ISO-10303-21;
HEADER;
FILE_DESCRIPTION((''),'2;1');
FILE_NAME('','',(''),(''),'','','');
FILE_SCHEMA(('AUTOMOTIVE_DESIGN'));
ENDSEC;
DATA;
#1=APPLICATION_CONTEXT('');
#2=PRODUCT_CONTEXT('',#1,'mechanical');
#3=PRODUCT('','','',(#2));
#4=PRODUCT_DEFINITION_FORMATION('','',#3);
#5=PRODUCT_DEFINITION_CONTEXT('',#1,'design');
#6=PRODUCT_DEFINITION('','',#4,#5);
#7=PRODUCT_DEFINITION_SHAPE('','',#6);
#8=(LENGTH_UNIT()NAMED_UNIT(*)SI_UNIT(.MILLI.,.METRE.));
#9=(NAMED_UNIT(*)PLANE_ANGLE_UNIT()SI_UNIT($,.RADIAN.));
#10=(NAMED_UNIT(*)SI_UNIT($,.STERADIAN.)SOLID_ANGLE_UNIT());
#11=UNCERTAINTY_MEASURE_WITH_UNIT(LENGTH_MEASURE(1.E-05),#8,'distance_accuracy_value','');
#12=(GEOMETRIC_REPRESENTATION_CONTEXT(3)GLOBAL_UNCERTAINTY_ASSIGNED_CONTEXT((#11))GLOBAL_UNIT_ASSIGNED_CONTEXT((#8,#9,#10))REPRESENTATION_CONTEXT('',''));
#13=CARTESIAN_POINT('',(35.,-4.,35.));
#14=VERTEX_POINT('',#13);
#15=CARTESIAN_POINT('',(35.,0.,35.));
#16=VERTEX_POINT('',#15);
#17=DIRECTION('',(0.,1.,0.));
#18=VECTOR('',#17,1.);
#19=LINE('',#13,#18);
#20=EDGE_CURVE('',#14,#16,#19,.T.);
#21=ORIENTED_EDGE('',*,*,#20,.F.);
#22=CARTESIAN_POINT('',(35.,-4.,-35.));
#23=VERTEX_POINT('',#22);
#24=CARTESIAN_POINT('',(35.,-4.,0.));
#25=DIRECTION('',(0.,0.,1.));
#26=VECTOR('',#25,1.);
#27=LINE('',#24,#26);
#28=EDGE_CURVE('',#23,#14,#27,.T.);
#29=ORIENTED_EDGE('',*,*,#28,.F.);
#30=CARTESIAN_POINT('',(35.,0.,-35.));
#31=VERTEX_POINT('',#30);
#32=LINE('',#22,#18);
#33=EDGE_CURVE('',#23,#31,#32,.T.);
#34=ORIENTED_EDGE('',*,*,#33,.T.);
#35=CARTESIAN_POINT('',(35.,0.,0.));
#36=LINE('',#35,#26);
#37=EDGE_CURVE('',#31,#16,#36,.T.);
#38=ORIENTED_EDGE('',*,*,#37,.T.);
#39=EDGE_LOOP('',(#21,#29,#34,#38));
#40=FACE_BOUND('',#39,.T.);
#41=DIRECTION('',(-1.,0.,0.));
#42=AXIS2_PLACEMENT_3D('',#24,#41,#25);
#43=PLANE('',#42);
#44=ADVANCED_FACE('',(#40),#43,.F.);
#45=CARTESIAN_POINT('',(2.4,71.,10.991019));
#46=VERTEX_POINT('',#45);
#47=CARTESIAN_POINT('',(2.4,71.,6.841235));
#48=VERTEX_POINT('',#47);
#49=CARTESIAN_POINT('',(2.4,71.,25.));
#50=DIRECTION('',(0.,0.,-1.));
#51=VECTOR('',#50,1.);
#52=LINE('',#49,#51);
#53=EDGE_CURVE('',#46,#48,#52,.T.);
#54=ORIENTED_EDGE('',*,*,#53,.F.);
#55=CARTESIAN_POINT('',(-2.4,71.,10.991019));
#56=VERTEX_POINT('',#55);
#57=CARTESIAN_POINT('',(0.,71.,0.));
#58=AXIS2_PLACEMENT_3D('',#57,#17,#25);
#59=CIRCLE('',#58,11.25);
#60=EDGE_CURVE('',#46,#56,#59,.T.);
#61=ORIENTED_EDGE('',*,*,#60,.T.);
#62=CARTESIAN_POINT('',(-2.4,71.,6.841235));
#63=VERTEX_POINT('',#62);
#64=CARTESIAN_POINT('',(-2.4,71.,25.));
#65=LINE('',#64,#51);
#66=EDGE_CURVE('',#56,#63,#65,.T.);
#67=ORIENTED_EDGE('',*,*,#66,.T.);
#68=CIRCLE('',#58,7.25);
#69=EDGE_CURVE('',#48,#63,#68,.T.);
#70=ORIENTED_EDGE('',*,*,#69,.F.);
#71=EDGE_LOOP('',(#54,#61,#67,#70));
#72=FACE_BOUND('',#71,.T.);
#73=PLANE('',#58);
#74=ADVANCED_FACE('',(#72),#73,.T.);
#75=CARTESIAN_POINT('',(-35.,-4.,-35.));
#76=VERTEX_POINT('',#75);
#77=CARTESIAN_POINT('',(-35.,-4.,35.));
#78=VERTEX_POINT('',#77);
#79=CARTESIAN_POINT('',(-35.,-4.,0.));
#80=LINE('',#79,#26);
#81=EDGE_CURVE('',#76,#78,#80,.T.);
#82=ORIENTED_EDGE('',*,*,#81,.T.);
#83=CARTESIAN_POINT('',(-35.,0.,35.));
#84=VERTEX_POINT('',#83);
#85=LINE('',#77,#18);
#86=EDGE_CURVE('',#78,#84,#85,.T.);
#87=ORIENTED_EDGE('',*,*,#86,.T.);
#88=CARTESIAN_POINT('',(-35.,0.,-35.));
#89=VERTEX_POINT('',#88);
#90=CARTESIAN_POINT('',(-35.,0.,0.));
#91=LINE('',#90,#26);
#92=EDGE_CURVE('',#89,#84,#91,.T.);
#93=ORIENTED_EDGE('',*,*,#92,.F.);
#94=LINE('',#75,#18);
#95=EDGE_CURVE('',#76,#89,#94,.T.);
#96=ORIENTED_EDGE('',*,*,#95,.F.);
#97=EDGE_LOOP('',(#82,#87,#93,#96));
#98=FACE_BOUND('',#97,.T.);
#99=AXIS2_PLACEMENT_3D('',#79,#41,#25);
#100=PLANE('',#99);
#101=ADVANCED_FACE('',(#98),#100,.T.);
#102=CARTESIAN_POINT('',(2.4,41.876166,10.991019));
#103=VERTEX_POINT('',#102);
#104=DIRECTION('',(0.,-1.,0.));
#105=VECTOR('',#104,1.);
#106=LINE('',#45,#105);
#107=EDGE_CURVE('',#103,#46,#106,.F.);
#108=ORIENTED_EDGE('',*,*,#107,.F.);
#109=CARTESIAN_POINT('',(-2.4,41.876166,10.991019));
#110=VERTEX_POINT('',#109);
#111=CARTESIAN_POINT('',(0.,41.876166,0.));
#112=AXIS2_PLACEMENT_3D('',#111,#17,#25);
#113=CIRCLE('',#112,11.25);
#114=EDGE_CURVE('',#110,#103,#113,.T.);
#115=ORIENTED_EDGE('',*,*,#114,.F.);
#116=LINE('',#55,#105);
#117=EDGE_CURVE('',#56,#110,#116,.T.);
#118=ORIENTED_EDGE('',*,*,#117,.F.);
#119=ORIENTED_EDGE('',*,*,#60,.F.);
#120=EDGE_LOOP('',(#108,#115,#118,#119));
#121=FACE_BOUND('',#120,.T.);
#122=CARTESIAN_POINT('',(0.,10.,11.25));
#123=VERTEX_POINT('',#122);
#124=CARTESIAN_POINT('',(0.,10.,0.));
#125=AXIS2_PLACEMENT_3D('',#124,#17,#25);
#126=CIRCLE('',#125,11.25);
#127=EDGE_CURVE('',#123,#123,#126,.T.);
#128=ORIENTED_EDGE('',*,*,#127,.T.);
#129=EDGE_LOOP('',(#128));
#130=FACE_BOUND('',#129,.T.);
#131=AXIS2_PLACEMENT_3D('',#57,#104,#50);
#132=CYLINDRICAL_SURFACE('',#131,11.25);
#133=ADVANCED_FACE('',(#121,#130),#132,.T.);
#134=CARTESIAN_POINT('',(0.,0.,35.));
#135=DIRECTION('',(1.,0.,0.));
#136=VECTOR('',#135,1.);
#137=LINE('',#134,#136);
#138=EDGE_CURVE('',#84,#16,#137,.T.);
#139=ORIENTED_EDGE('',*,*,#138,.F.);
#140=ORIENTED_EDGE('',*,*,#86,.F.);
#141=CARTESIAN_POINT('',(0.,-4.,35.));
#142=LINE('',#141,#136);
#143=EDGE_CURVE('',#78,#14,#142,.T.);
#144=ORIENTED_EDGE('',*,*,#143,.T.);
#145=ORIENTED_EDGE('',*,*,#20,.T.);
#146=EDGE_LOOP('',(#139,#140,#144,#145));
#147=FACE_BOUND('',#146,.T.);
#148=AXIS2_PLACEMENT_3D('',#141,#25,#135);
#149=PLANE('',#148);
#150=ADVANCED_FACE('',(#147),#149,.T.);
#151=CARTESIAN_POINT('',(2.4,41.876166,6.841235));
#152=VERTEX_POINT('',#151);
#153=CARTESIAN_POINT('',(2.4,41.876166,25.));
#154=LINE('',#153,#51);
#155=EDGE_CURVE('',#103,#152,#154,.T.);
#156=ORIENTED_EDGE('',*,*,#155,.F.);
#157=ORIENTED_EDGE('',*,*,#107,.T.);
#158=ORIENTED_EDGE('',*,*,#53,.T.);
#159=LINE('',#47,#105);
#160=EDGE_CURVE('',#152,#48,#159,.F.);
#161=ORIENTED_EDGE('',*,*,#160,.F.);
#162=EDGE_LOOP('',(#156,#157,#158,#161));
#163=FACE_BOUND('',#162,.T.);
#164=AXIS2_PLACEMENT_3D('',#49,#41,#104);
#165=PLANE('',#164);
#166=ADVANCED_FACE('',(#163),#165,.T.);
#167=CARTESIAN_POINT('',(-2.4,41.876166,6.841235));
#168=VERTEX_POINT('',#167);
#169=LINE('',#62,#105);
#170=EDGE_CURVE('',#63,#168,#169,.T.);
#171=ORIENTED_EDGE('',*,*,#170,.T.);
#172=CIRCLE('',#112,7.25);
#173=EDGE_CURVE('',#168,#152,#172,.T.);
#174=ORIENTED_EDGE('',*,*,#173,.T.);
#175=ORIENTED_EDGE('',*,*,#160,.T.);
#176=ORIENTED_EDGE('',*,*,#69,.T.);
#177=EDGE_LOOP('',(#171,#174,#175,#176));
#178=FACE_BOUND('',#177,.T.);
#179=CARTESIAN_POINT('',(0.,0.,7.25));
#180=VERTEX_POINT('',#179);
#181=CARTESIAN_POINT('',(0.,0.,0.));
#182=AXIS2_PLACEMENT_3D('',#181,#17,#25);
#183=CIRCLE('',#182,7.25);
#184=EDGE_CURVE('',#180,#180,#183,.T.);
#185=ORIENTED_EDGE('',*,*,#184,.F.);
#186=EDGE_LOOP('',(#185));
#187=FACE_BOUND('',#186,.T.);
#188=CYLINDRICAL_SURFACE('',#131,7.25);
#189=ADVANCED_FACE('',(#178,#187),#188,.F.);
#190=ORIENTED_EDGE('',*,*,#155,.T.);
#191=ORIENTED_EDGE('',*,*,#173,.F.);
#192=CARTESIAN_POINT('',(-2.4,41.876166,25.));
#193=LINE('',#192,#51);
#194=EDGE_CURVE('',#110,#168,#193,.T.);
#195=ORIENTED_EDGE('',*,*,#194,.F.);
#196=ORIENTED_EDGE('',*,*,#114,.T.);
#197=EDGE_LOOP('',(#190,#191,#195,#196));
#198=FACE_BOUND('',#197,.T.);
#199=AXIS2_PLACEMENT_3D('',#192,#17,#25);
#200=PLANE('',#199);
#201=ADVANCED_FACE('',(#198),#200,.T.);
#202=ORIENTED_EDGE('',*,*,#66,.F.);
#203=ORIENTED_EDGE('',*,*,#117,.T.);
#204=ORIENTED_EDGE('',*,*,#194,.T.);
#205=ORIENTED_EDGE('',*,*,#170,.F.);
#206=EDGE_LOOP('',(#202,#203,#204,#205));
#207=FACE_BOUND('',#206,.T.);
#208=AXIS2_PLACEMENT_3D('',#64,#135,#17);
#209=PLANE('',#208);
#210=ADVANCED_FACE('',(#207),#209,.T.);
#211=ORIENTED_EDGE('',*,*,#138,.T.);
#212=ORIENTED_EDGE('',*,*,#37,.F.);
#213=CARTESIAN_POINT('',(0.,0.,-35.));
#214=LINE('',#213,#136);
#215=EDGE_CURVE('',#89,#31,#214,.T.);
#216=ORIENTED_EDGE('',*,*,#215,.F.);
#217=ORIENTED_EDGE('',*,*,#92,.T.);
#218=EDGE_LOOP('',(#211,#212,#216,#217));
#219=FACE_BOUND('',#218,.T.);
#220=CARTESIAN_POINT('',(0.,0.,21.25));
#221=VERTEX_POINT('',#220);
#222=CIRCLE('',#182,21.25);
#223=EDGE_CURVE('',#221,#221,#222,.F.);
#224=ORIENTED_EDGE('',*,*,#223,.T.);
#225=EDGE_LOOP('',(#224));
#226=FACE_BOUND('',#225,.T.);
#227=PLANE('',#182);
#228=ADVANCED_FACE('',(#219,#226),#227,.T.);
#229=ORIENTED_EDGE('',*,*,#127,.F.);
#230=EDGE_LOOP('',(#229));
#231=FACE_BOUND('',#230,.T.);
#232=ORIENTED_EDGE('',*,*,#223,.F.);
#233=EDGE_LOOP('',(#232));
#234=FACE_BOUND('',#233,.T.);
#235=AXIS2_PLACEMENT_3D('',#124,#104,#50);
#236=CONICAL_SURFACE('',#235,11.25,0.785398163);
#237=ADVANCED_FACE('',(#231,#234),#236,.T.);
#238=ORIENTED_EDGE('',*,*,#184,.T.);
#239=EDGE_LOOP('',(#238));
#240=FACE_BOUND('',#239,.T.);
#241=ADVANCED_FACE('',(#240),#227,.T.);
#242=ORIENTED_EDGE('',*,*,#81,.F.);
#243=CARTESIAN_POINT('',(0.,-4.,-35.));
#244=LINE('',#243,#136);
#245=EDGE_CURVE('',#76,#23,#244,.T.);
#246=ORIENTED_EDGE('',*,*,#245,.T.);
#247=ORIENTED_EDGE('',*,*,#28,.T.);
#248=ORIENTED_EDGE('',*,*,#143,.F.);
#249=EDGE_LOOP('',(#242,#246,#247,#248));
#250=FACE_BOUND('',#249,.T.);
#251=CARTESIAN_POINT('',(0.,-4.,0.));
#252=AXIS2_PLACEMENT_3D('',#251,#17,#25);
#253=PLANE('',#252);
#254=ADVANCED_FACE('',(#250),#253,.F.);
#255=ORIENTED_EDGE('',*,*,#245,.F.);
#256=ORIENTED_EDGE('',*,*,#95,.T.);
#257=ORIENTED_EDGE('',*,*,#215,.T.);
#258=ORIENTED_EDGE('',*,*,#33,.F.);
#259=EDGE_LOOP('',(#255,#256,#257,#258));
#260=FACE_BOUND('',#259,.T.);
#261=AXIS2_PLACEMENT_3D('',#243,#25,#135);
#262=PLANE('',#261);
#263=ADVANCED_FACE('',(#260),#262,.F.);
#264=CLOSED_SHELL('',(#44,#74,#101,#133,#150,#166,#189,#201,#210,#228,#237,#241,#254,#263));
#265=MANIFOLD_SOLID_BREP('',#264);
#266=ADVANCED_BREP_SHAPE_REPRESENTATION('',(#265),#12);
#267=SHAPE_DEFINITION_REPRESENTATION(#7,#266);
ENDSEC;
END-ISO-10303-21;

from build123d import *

# Parameters (mm, degrees)
SKETCH2_R           = 11.25
SKETCH2_R_2         = 7.25
BOSS_EXTRUDE1_DEPTH = 71
SKETCH2_6_W         = 70
SKETCH2_6_H         = 70
BOSS_EXTRUDE2_DEPTH = 4
CHAMFER1_SIZE       = 10
SKETCH6_W           = 4.8
SKETCH6_H           = 29.123834
CUT_EXTRUDE2_DEPTH  = 25


with BuildPart() as part:
    # Sketch2 → Boss-Extrude1 (new body)
    with BuildSketch(Plane(origin=(0, 0, 0), x_dir=(1, 0, 0), z_dir=(0, 1, 0))):
        Circle(SKETCH2_R)
        Circle(SKETCH2_R_2, mode=Mode.SUBTRACT)
    extrude(amount=BOSS_EXTRUDE1_DEPTH)

    # Sketch2<6> → Boss-Extrude2 (add)
    with BuildSketch(Plane(origin=(0, 0, 0), x_dir=(1, 0, 0), z_dir=(0, 1, 0))):
        Rectangle(SKETCH2_6_W, SKETCH2_6_H)
    extrude(amount=-BOSS_EXTRUDE2_DEPTH)

    # Chamfer1
    chamfer1_edges = [part.edges().sort_by_distance(p)[0] for p in [
        (-11.25, 0, 0),
    ]]
    chamfer(chamfer1_edges, length=CHAMFER1_SIZE)

    # Sketch6 → Cut-Extrude2 (cut)
    with BuildSketch(Plane.XY):
        with Locations((0, 56.438083)):
            Rectangle(SKETCH6_W, SKETCH6_H)
    extrude(amount=CUT_EXTRUDE2_DEPTH, mode=Mode.SUBTRACT)


solid = part.part
